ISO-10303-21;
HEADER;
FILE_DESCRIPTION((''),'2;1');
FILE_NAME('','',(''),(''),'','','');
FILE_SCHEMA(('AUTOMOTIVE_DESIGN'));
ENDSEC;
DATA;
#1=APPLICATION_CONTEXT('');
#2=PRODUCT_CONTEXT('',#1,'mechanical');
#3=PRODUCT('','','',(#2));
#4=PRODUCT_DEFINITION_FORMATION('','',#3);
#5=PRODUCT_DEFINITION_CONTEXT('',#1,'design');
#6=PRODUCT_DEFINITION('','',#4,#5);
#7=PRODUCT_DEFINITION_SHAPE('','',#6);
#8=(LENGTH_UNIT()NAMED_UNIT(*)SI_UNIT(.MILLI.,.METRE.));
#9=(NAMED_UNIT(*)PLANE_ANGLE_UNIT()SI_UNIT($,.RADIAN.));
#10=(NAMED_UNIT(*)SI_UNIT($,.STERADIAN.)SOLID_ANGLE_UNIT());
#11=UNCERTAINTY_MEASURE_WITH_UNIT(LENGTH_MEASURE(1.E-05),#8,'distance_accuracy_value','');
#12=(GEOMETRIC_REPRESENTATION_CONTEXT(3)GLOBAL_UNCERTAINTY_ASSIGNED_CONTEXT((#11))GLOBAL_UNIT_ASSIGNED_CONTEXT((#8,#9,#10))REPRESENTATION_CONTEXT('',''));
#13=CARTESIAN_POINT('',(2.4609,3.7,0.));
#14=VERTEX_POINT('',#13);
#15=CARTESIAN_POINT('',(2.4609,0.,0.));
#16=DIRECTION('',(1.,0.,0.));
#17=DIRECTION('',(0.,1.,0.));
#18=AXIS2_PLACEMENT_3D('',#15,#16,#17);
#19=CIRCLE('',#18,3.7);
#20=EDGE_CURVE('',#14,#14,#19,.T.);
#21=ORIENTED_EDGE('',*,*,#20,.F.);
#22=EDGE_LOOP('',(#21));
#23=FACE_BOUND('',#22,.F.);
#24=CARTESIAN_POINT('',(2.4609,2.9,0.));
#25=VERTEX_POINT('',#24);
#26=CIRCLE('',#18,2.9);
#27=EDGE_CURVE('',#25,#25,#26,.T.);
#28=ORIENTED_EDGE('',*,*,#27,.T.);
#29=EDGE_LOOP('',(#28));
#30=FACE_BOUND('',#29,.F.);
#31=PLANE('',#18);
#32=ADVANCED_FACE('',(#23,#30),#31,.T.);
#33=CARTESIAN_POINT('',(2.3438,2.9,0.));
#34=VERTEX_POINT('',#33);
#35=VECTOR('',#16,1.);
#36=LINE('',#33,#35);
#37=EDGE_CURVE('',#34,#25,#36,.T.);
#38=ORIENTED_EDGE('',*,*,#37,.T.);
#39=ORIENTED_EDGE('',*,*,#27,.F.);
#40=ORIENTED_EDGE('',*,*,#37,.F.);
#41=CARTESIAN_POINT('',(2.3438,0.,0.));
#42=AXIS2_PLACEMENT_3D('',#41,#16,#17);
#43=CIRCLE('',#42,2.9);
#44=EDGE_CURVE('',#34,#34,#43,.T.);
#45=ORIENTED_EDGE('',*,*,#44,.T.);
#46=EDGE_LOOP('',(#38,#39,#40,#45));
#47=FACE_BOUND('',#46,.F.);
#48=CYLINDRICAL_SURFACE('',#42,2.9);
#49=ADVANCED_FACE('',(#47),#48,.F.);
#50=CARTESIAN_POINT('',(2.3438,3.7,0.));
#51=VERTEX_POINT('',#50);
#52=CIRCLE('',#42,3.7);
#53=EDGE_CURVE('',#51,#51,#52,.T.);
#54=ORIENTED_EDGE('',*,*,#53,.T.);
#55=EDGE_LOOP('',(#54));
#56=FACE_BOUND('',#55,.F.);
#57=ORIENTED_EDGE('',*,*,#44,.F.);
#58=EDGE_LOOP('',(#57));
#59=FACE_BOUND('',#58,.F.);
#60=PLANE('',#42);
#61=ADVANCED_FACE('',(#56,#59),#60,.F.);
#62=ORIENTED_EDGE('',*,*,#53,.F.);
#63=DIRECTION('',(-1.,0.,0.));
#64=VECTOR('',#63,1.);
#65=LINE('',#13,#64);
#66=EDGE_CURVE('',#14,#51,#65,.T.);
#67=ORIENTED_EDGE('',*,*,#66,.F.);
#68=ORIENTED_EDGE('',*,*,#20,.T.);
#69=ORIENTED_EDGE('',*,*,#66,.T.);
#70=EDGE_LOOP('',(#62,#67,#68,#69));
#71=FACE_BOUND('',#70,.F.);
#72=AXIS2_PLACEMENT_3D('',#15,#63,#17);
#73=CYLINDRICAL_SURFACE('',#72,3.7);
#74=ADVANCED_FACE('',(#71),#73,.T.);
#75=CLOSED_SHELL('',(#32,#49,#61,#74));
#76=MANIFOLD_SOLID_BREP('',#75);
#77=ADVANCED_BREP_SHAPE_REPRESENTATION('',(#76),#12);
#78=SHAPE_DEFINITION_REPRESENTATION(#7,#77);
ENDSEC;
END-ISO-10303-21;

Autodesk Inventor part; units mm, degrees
sketch "Sketch_1" plane through (0, 0, 0) normal (0, 0, 1) x (1, 0, 0)
  line L0 (2.4609, 0) -> (2.3438, 0)
  line L1 (2.3438, 2.9) -> (2.4609, 2.9)
  line L2 (2.4609, 2.9) -> (2.4609, 3.7)
  line L3 (2.4609, 3.7) -> (2.3438, 3.7)
  line L4 (2.3438, 3.7) -> (2.3438, 2.9)
revolve "Revolution1" add sketch "Sketch_1" angle 360 about axis through (2.4609, 0, 0) along (1, 0, 0)
ref_plane "ip_st_1_XY" through (2.3438, 0, 0) normal (1, 0, 0) x (0, 0, -1)
ref_plane "ip_st_1_YZ" through (2.3438, 0, 0) normal (0, 0, -1) x (0, 1, 0)
ref_plane "ip_st_1_ZX" through (2.3438, 0, 0) normal (0, 1, 0) x (1, 0, 0)
properties part number "MF85ZZ Shield2" material "ステンレス鋼 440C"
